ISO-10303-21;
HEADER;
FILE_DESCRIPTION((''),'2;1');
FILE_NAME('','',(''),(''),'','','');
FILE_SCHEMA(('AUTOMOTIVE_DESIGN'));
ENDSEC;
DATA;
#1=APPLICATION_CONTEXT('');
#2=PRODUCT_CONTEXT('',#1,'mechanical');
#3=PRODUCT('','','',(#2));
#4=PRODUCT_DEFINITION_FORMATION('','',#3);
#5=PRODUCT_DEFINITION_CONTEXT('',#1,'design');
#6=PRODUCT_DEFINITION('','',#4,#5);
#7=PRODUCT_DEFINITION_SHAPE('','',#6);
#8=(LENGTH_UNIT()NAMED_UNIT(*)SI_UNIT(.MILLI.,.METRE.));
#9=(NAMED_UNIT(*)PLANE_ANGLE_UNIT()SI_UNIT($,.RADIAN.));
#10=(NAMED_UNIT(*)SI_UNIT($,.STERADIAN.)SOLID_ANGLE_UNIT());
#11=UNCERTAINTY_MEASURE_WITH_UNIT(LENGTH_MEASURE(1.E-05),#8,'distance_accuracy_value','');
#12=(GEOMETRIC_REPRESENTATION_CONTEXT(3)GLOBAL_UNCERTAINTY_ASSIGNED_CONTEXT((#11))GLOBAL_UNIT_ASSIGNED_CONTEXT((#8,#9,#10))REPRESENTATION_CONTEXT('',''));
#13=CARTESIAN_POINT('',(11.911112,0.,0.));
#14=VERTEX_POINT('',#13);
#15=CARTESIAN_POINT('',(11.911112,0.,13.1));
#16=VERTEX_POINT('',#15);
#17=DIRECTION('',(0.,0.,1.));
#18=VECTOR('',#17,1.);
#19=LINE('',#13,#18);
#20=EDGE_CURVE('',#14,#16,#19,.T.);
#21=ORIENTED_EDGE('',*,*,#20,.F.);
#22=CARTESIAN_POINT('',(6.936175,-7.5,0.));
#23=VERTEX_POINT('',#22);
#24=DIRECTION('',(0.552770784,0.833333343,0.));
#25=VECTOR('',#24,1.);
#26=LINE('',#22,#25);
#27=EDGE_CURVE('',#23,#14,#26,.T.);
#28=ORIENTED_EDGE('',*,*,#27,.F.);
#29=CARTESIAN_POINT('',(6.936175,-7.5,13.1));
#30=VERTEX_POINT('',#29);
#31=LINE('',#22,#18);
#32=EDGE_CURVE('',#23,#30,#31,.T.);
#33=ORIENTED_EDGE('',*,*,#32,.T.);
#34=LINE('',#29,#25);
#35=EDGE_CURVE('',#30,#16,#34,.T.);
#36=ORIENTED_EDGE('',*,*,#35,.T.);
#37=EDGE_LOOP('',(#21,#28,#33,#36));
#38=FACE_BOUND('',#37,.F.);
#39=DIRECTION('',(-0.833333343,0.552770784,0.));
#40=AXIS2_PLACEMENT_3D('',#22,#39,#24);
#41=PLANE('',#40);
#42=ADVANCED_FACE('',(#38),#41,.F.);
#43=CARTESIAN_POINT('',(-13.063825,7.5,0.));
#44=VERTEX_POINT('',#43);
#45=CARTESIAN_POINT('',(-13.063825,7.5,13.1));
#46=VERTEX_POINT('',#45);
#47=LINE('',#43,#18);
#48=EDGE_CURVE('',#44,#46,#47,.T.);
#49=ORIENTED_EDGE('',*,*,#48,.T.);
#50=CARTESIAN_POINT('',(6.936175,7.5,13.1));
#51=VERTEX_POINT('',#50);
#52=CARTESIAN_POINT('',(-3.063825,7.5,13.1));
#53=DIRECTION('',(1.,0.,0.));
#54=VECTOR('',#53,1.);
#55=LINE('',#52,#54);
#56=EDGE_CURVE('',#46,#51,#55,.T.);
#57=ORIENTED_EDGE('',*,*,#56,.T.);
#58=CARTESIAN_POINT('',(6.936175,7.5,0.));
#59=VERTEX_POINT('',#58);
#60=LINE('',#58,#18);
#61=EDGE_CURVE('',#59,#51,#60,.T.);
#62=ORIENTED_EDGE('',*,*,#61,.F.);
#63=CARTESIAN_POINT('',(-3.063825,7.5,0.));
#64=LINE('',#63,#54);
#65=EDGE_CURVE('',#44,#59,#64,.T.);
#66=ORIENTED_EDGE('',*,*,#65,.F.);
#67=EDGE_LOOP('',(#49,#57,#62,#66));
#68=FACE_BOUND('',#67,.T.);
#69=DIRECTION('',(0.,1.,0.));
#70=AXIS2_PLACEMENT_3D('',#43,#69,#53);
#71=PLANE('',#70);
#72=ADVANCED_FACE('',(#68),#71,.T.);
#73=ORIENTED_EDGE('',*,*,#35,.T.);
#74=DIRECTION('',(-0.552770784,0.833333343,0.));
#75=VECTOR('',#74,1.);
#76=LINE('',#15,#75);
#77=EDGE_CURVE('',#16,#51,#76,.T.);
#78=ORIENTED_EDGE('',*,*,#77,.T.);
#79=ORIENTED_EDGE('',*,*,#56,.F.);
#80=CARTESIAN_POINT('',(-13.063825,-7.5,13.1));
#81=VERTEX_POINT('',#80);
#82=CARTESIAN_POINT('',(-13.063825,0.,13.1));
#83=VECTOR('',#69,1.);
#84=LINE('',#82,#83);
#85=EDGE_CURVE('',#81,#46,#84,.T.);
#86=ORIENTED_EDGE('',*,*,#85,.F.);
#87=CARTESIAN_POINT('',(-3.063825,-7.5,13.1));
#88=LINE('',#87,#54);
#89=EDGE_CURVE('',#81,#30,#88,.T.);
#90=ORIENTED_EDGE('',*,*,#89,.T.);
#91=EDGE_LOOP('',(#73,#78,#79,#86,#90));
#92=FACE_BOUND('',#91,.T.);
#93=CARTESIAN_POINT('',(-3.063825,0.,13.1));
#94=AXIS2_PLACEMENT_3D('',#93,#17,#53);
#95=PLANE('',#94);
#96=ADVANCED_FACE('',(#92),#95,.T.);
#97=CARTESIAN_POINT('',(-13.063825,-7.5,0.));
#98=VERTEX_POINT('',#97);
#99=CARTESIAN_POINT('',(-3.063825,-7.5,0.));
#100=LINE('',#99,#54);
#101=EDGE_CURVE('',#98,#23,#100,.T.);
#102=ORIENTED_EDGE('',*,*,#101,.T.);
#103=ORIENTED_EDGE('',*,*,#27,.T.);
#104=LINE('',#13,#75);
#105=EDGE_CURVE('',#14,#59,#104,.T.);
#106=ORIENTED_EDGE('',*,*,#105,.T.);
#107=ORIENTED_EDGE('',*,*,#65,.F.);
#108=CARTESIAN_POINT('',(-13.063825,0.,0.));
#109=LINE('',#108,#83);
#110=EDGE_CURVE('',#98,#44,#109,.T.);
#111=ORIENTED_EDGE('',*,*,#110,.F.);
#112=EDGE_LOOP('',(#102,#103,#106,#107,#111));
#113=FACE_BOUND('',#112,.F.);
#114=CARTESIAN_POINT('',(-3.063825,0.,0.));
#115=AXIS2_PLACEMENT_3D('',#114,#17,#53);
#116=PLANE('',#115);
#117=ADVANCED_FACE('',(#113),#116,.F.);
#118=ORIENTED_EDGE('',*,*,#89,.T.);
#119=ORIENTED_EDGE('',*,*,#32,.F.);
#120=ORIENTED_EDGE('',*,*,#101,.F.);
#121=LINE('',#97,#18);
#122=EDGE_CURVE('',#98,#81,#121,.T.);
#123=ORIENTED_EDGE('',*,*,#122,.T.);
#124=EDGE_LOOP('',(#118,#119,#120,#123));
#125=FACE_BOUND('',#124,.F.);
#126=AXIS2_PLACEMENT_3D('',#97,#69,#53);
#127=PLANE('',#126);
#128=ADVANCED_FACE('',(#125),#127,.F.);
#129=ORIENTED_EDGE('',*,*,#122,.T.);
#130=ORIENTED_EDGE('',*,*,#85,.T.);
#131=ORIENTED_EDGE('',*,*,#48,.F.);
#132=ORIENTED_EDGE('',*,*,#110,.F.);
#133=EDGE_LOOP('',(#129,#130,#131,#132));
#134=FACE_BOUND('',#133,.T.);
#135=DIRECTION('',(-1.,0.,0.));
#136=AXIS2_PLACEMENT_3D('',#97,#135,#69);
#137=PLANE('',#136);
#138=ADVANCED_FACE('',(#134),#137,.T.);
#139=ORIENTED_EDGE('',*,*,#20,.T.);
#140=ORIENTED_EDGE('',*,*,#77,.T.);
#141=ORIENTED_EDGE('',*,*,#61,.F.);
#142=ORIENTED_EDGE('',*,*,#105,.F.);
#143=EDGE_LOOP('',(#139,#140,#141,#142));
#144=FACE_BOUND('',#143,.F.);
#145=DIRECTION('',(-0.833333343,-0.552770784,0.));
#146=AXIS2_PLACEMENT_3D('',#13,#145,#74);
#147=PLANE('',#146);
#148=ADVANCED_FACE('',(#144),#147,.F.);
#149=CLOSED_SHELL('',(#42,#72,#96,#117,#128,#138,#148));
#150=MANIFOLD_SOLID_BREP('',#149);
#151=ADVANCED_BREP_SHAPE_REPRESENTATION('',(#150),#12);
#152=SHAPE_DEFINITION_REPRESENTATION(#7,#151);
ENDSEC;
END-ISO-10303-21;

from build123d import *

# Parameters (mm, degrees)
F0_W     = 20
F0_H     = 15
F1_DEPTH = 13.1


with BuildPart() as f1:
    # F0 (on Top) → F1 (new body)
    with BuildSketch(Plane.XY):
        with Locations((-3.063825, 0)):
            Rectangle(F0_W, F0_H)
        Polygon((11.911112, 0), (6.936175, 7.5), (6.936175, -7.5), align=None)
    extrude(amount=F1_DEPTH)


solid = f1.part
